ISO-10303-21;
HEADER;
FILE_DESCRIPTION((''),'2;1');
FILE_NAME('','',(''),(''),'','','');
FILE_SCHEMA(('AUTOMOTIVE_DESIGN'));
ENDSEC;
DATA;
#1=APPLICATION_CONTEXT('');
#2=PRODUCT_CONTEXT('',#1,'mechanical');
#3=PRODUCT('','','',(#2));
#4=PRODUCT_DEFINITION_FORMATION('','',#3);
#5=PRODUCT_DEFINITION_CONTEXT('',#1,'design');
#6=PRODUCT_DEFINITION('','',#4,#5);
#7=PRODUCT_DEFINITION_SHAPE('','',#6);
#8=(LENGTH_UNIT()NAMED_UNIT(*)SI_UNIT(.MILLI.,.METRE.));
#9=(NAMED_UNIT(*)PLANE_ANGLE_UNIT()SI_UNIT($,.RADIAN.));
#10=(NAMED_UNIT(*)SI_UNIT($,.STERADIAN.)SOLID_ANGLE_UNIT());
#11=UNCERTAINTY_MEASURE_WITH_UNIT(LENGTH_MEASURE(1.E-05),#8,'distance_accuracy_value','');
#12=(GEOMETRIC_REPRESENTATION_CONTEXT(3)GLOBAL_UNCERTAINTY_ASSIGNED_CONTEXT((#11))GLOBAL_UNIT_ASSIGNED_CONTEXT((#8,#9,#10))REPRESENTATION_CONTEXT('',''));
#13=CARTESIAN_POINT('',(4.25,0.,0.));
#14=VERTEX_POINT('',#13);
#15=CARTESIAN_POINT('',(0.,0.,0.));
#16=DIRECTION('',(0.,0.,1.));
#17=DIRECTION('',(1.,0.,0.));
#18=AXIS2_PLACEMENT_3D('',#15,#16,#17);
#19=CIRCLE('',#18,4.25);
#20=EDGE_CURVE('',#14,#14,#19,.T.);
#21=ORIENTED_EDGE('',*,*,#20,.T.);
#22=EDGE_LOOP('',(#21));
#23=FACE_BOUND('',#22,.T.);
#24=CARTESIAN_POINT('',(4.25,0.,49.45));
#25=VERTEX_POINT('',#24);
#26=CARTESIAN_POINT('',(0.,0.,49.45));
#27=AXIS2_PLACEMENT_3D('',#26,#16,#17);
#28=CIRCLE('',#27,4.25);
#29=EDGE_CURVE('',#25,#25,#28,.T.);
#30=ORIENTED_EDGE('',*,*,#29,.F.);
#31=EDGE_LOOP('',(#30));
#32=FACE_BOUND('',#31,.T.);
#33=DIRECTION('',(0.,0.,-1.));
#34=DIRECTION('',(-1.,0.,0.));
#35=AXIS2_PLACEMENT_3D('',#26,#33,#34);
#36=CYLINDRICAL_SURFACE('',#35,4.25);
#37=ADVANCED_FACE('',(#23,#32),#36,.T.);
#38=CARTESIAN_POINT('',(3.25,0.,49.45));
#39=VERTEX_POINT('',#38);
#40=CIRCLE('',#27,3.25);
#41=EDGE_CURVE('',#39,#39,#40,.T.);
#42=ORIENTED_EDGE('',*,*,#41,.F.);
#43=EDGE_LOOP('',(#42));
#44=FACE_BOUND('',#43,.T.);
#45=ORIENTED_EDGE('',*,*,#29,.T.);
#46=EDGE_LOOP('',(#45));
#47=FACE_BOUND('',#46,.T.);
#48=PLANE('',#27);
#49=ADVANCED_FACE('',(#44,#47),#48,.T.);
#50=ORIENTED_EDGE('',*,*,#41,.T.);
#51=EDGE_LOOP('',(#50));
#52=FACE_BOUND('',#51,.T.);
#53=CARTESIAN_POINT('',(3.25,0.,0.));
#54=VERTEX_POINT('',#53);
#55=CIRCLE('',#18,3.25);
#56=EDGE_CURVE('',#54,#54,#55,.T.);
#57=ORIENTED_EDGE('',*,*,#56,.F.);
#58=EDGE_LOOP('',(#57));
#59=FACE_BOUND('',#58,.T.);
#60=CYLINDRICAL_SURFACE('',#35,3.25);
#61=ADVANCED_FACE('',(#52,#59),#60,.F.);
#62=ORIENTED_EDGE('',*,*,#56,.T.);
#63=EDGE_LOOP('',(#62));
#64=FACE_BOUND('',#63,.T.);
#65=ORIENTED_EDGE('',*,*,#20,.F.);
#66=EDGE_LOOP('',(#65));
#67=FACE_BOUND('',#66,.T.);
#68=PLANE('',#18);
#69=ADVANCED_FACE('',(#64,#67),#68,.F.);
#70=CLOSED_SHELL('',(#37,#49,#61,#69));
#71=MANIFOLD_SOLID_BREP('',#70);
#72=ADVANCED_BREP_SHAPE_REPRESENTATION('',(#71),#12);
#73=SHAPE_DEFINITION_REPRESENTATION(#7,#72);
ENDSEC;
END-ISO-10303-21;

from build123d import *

# Parameters (mm, degrees)
SCHIZZO1_R                   = 4.25
SCHIZZO1_R_2                 = 3.25
ESTRUSIONE_ESTRUSIONE1_DEPTH = 49.45


with BuildPart() as part:
    # Schizzo1 → Estrusione-Estrusione1 (new body)
    with BuildSketch(Plane.XY):
        Circle(SCHIZZO1_R)
        Circle(SCHIZZO1_R_2, mode=Mode.SUBTRACT)
    extrude(amount=ESTRUSIONE_ESTRUSIONE1_DEPTH)


solid = part.part
